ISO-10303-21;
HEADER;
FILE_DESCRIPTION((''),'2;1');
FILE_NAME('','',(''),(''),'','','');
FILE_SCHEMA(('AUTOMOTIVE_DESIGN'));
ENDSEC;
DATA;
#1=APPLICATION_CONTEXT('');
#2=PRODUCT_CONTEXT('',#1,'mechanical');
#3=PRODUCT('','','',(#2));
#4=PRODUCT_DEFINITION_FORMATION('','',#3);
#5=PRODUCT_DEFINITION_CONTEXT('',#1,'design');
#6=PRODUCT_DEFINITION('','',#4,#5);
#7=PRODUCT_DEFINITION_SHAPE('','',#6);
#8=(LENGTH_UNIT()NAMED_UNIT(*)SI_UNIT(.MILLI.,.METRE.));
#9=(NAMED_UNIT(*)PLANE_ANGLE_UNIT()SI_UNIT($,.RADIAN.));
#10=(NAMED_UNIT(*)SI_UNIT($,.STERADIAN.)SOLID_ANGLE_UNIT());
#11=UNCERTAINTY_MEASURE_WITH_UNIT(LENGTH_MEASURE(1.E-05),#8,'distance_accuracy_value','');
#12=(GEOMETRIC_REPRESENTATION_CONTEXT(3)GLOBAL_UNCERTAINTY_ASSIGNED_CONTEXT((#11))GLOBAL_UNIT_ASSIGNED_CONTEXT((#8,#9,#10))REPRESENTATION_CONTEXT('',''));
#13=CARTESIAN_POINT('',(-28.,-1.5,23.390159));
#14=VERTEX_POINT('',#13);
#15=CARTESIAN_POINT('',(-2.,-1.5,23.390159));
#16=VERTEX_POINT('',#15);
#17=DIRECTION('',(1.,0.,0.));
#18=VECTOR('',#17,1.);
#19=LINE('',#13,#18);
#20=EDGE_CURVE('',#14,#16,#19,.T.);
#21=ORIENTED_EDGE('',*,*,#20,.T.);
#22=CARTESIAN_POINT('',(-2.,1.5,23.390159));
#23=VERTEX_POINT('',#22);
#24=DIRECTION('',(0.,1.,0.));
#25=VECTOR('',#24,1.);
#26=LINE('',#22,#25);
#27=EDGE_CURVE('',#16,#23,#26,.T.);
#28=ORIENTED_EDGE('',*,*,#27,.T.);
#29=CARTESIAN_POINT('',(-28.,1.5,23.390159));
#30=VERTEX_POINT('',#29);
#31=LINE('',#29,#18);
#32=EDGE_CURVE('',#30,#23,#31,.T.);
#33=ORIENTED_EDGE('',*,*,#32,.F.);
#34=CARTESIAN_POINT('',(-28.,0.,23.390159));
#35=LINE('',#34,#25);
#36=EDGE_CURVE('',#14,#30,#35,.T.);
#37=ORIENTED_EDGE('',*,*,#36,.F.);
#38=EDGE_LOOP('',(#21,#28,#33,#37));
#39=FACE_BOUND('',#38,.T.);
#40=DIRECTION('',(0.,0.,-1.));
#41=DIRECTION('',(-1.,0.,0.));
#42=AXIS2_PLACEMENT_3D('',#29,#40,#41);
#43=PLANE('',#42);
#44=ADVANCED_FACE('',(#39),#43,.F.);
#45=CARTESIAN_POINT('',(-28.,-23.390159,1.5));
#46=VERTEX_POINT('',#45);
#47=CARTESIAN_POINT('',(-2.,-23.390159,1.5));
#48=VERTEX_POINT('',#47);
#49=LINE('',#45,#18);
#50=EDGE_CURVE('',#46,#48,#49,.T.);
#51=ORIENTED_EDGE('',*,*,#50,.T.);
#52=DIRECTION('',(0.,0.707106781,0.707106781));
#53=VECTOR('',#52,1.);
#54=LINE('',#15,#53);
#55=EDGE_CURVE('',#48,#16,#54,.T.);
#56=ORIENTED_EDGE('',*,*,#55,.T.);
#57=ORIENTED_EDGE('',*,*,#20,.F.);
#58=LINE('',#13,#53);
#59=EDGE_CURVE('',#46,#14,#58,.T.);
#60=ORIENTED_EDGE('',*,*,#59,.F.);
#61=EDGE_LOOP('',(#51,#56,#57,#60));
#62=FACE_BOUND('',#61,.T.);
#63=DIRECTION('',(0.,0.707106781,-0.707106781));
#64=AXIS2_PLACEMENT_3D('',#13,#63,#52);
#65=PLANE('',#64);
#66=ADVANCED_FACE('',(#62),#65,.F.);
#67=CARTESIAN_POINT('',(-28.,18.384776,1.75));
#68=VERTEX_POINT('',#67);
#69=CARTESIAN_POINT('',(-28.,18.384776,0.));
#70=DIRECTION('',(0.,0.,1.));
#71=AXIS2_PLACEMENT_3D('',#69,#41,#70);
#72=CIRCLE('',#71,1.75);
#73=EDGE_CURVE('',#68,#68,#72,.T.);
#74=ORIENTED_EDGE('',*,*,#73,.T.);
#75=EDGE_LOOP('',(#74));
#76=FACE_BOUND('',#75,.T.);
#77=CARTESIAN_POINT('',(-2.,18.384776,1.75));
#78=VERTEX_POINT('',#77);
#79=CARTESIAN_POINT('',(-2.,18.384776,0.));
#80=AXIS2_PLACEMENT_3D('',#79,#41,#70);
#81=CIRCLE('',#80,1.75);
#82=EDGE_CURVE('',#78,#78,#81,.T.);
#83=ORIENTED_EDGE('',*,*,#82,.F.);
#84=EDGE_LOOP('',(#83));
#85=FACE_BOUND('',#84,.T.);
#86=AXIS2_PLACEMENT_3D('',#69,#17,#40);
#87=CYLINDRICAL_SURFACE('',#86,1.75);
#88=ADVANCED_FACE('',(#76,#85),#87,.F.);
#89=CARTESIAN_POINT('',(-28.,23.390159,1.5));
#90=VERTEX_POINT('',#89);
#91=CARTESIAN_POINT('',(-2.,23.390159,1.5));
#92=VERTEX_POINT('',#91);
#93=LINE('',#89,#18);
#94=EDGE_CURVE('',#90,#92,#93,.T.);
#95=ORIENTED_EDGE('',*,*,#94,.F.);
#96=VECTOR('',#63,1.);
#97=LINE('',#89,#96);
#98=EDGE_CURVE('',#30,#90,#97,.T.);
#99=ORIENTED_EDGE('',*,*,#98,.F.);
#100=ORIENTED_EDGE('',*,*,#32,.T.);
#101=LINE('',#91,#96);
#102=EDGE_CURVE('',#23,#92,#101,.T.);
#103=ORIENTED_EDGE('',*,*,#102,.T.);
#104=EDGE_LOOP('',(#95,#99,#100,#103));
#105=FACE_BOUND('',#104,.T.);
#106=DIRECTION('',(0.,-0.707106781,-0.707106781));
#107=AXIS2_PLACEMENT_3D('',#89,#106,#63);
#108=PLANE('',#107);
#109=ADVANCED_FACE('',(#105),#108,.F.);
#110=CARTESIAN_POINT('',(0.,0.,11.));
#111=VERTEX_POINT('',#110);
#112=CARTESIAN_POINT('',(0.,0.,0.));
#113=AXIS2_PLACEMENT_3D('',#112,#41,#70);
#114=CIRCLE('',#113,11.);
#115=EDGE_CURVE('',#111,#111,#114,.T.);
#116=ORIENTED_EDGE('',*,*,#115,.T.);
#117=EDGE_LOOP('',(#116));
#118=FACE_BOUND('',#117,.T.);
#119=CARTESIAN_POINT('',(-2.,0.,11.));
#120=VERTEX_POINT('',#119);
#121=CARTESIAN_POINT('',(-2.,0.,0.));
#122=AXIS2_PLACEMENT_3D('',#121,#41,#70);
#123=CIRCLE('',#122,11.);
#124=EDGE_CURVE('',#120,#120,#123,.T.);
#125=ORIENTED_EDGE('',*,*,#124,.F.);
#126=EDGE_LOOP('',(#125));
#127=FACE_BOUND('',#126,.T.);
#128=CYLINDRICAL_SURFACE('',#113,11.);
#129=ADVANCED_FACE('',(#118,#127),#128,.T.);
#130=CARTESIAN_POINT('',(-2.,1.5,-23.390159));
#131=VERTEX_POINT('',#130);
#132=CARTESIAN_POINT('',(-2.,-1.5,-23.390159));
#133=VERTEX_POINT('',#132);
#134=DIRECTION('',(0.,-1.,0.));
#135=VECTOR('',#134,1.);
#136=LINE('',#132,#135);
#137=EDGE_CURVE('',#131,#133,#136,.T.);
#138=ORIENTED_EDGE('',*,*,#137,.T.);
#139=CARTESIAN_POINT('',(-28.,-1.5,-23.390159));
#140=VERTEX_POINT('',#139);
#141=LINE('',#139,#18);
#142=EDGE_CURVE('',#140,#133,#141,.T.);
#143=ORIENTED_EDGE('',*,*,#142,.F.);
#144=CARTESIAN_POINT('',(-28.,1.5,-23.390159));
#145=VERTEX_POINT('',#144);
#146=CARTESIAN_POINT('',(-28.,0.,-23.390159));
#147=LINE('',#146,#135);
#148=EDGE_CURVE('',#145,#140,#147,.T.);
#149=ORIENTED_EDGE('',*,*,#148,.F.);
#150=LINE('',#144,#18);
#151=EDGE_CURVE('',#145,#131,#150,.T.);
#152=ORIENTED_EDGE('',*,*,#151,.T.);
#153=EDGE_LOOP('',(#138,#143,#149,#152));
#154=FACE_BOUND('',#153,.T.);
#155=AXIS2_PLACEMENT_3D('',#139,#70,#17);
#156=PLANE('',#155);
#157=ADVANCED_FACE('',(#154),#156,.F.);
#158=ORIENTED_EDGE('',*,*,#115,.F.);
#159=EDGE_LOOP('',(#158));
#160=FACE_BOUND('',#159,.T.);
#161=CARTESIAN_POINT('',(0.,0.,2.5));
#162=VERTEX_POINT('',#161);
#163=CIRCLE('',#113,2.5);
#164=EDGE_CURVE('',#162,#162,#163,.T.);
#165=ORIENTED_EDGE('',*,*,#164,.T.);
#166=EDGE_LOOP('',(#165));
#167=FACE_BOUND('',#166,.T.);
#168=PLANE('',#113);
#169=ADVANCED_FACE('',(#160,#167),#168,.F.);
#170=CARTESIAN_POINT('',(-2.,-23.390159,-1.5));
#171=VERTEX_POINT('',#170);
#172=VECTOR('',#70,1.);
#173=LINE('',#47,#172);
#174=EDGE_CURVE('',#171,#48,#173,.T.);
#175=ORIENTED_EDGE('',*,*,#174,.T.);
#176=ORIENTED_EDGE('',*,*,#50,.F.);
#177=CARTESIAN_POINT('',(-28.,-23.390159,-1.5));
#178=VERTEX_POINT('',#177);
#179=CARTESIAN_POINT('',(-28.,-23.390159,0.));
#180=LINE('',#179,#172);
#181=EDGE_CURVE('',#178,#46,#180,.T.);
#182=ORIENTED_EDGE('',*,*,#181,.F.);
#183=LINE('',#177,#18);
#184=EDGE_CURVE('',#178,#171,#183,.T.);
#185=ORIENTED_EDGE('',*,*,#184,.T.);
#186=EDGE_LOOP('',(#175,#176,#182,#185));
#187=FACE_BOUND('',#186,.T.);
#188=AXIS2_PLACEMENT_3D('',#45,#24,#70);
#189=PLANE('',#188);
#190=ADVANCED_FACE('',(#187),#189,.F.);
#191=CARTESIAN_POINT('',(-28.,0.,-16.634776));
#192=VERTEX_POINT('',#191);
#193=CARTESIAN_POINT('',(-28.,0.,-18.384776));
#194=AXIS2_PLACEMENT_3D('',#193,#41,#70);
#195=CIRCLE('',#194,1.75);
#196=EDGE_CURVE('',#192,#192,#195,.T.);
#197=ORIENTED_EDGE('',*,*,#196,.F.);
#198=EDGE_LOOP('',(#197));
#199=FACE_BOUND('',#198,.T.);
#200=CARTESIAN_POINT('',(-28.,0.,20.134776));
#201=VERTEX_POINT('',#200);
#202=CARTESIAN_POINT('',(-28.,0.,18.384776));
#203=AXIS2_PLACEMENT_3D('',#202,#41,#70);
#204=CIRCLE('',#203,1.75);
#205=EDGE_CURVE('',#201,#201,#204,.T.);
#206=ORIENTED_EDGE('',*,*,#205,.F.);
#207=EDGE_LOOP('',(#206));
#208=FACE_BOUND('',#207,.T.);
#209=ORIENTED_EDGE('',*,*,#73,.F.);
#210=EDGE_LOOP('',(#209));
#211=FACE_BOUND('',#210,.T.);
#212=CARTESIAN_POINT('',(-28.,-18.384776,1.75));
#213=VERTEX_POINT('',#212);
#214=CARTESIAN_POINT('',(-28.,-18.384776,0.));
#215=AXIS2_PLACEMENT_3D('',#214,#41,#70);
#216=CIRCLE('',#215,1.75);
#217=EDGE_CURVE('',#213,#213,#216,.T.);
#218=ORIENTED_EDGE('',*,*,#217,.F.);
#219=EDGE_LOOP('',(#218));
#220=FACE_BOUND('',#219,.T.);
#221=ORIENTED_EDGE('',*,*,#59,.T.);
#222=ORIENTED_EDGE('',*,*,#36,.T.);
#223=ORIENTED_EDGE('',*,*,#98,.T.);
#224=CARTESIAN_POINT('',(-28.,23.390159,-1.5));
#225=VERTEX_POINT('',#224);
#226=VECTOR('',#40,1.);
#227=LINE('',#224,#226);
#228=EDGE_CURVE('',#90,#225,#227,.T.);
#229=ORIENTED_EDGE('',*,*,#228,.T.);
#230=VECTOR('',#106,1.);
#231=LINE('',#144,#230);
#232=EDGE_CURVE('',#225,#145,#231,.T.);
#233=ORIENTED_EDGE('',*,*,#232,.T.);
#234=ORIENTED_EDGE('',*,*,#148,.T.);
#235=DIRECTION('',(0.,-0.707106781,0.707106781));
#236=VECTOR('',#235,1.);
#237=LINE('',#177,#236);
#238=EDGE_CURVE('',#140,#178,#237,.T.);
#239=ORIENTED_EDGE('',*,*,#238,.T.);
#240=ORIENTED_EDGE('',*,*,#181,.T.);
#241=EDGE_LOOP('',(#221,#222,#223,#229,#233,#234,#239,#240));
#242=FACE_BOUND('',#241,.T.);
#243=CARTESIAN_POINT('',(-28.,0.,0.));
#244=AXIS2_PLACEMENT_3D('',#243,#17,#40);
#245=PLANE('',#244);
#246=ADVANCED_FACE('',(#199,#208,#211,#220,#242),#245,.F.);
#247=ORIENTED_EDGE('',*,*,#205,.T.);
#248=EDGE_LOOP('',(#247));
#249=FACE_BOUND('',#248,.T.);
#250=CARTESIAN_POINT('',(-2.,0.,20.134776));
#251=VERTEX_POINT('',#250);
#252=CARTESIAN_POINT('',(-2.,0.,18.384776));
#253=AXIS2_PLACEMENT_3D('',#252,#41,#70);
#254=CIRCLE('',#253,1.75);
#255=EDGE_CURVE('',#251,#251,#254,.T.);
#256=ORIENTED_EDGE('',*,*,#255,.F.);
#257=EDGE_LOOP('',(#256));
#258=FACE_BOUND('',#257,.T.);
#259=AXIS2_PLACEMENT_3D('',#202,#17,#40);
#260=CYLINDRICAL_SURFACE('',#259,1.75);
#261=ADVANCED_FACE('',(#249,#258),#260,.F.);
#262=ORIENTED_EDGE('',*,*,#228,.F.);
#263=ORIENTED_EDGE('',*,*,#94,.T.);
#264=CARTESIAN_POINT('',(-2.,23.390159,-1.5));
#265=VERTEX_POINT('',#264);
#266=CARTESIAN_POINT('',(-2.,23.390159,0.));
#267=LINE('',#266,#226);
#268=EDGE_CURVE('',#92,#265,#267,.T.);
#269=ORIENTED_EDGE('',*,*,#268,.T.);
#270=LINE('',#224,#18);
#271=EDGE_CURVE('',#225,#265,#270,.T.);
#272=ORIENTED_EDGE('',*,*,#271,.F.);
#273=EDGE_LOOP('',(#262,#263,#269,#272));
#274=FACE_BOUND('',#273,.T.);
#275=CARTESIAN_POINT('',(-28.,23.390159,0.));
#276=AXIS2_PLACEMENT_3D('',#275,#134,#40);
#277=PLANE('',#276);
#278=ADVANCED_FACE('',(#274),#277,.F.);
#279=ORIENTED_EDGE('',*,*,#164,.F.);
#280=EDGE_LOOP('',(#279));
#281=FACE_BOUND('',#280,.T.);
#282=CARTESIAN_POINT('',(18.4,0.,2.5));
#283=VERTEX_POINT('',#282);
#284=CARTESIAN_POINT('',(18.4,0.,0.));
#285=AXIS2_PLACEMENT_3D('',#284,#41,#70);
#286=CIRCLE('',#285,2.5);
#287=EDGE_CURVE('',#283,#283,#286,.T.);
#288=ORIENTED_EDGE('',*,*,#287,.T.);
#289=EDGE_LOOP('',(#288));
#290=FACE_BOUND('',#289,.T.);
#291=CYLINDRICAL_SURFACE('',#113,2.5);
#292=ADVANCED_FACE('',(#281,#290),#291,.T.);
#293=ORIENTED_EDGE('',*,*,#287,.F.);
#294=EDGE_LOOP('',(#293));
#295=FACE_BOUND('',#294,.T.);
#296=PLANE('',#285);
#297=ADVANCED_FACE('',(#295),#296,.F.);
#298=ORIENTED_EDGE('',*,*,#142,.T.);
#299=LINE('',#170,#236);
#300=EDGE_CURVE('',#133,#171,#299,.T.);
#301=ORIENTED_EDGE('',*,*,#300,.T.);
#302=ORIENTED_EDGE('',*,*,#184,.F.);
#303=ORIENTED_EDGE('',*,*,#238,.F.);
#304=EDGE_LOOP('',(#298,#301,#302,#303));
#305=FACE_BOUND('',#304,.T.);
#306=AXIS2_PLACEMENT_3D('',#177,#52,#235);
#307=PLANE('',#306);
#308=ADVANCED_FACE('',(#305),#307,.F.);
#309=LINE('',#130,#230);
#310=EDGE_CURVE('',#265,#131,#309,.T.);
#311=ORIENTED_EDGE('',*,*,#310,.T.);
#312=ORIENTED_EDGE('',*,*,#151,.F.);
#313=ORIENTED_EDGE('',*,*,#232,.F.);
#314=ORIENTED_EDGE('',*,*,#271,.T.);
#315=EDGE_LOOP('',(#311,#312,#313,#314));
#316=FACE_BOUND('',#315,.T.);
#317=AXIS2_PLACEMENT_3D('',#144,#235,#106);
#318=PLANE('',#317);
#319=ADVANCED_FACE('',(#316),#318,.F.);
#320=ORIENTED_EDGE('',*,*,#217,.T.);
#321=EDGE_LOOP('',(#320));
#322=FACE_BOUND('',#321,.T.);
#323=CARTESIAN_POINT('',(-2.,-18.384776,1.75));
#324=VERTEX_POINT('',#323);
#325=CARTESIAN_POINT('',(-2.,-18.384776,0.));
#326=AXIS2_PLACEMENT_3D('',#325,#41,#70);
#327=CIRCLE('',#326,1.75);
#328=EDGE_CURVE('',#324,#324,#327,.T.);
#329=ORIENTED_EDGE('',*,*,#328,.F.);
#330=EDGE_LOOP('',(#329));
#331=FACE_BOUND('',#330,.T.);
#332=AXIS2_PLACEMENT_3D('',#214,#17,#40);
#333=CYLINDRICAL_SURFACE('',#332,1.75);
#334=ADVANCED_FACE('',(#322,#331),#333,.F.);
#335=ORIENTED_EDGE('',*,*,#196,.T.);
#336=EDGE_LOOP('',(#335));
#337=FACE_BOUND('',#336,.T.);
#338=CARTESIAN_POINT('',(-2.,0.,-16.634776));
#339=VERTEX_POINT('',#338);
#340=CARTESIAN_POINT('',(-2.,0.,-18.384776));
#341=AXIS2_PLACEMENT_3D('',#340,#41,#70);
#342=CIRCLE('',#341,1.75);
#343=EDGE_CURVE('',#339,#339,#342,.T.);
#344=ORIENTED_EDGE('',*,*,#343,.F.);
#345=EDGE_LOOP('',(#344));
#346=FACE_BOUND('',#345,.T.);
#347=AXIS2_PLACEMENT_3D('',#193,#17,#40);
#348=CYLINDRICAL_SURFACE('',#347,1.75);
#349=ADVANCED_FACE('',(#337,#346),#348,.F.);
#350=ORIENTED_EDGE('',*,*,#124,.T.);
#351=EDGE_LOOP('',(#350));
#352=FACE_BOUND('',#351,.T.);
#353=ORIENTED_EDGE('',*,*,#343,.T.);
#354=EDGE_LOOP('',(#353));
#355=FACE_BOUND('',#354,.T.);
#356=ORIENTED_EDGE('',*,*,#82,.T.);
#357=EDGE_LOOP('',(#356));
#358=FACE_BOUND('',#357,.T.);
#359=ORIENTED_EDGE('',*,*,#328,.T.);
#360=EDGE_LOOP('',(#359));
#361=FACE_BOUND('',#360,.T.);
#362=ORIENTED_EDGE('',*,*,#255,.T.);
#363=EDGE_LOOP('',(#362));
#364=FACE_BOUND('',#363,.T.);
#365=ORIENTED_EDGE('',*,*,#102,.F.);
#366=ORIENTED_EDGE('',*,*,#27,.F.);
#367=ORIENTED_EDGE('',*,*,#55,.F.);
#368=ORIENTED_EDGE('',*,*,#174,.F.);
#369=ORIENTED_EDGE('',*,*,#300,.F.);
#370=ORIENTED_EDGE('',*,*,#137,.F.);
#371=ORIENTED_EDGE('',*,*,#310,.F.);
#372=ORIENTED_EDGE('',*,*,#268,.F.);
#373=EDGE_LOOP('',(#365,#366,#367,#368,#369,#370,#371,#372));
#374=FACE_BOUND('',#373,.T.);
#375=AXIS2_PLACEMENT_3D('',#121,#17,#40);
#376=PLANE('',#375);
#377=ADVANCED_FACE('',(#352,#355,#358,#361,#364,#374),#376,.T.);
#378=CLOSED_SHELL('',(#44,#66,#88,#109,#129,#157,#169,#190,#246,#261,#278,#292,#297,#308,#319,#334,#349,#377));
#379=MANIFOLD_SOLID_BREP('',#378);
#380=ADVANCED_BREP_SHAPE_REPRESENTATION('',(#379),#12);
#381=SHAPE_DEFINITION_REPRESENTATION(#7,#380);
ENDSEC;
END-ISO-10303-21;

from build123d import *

# Parameters (mm, degrees)
SKETCH2_W           = 18.40000003
SKETCH2_H           = 2.499999953
SKETCH2_W_2         = 2.000000064
SKETCH2_H_2         = 10.999999971
SKETCH3_R           = 1.75
BOSS_EXTRUDE1_DEPTH = 26


with BuildPart() as part:
    # Sketch2 → Revolve1 (revolve)
    with BuildSketch(Plane.XY):
        with Locations((9.200000015, 1.249999977)):
            Rectangle(SKETCH2_W, SKETCH2_H)
        with Locations((-1.000000032, 5.499999986)):
            Rectangle(SKETCH2_W_2, SKETCH2_H_2)
    revolve(axis=Axis((0, 0, 0), (1, 0, 0)))

    # Sketch3 → Boss-Extrude1 (add)
    with BuildSketch(Plane.ZY.offset(2.000000064)):
        Polygon((0, 23.390158698), (1.5, 23.390158698), (23.390158698, 1.5), (23.390158698, 0), (23.390158698, -1.5), (1.5, -23.390158698), (0, -23.390158698), (-1.5, -23.390158698), (-23.390158698, -1.5), (-23.390158698, 0), (-23.390158698, 1.5), (-1.5, 23.390158698), align=None)
        with Locations((0, 18.384776311)):
            Circle(SKETCH3_R, mode=Mode.SUBTRACT)
        with Locations((18.384776311, 0)):
            Circle(SKETCH3_R, mode=Mode.SUBTRACT)
        with Locations((0, -18.384776311)):
            Circle(SKETCH3_R, mode=Mode.SUBTRACT)
        with Locations((-18.384776311, 0)):
            Circle(SKETCH3_R, mode=Mode.SUBTRACT)
    extrude(amount=BOSS_EXTRUDE1_DEPTH)


solid = part.part
